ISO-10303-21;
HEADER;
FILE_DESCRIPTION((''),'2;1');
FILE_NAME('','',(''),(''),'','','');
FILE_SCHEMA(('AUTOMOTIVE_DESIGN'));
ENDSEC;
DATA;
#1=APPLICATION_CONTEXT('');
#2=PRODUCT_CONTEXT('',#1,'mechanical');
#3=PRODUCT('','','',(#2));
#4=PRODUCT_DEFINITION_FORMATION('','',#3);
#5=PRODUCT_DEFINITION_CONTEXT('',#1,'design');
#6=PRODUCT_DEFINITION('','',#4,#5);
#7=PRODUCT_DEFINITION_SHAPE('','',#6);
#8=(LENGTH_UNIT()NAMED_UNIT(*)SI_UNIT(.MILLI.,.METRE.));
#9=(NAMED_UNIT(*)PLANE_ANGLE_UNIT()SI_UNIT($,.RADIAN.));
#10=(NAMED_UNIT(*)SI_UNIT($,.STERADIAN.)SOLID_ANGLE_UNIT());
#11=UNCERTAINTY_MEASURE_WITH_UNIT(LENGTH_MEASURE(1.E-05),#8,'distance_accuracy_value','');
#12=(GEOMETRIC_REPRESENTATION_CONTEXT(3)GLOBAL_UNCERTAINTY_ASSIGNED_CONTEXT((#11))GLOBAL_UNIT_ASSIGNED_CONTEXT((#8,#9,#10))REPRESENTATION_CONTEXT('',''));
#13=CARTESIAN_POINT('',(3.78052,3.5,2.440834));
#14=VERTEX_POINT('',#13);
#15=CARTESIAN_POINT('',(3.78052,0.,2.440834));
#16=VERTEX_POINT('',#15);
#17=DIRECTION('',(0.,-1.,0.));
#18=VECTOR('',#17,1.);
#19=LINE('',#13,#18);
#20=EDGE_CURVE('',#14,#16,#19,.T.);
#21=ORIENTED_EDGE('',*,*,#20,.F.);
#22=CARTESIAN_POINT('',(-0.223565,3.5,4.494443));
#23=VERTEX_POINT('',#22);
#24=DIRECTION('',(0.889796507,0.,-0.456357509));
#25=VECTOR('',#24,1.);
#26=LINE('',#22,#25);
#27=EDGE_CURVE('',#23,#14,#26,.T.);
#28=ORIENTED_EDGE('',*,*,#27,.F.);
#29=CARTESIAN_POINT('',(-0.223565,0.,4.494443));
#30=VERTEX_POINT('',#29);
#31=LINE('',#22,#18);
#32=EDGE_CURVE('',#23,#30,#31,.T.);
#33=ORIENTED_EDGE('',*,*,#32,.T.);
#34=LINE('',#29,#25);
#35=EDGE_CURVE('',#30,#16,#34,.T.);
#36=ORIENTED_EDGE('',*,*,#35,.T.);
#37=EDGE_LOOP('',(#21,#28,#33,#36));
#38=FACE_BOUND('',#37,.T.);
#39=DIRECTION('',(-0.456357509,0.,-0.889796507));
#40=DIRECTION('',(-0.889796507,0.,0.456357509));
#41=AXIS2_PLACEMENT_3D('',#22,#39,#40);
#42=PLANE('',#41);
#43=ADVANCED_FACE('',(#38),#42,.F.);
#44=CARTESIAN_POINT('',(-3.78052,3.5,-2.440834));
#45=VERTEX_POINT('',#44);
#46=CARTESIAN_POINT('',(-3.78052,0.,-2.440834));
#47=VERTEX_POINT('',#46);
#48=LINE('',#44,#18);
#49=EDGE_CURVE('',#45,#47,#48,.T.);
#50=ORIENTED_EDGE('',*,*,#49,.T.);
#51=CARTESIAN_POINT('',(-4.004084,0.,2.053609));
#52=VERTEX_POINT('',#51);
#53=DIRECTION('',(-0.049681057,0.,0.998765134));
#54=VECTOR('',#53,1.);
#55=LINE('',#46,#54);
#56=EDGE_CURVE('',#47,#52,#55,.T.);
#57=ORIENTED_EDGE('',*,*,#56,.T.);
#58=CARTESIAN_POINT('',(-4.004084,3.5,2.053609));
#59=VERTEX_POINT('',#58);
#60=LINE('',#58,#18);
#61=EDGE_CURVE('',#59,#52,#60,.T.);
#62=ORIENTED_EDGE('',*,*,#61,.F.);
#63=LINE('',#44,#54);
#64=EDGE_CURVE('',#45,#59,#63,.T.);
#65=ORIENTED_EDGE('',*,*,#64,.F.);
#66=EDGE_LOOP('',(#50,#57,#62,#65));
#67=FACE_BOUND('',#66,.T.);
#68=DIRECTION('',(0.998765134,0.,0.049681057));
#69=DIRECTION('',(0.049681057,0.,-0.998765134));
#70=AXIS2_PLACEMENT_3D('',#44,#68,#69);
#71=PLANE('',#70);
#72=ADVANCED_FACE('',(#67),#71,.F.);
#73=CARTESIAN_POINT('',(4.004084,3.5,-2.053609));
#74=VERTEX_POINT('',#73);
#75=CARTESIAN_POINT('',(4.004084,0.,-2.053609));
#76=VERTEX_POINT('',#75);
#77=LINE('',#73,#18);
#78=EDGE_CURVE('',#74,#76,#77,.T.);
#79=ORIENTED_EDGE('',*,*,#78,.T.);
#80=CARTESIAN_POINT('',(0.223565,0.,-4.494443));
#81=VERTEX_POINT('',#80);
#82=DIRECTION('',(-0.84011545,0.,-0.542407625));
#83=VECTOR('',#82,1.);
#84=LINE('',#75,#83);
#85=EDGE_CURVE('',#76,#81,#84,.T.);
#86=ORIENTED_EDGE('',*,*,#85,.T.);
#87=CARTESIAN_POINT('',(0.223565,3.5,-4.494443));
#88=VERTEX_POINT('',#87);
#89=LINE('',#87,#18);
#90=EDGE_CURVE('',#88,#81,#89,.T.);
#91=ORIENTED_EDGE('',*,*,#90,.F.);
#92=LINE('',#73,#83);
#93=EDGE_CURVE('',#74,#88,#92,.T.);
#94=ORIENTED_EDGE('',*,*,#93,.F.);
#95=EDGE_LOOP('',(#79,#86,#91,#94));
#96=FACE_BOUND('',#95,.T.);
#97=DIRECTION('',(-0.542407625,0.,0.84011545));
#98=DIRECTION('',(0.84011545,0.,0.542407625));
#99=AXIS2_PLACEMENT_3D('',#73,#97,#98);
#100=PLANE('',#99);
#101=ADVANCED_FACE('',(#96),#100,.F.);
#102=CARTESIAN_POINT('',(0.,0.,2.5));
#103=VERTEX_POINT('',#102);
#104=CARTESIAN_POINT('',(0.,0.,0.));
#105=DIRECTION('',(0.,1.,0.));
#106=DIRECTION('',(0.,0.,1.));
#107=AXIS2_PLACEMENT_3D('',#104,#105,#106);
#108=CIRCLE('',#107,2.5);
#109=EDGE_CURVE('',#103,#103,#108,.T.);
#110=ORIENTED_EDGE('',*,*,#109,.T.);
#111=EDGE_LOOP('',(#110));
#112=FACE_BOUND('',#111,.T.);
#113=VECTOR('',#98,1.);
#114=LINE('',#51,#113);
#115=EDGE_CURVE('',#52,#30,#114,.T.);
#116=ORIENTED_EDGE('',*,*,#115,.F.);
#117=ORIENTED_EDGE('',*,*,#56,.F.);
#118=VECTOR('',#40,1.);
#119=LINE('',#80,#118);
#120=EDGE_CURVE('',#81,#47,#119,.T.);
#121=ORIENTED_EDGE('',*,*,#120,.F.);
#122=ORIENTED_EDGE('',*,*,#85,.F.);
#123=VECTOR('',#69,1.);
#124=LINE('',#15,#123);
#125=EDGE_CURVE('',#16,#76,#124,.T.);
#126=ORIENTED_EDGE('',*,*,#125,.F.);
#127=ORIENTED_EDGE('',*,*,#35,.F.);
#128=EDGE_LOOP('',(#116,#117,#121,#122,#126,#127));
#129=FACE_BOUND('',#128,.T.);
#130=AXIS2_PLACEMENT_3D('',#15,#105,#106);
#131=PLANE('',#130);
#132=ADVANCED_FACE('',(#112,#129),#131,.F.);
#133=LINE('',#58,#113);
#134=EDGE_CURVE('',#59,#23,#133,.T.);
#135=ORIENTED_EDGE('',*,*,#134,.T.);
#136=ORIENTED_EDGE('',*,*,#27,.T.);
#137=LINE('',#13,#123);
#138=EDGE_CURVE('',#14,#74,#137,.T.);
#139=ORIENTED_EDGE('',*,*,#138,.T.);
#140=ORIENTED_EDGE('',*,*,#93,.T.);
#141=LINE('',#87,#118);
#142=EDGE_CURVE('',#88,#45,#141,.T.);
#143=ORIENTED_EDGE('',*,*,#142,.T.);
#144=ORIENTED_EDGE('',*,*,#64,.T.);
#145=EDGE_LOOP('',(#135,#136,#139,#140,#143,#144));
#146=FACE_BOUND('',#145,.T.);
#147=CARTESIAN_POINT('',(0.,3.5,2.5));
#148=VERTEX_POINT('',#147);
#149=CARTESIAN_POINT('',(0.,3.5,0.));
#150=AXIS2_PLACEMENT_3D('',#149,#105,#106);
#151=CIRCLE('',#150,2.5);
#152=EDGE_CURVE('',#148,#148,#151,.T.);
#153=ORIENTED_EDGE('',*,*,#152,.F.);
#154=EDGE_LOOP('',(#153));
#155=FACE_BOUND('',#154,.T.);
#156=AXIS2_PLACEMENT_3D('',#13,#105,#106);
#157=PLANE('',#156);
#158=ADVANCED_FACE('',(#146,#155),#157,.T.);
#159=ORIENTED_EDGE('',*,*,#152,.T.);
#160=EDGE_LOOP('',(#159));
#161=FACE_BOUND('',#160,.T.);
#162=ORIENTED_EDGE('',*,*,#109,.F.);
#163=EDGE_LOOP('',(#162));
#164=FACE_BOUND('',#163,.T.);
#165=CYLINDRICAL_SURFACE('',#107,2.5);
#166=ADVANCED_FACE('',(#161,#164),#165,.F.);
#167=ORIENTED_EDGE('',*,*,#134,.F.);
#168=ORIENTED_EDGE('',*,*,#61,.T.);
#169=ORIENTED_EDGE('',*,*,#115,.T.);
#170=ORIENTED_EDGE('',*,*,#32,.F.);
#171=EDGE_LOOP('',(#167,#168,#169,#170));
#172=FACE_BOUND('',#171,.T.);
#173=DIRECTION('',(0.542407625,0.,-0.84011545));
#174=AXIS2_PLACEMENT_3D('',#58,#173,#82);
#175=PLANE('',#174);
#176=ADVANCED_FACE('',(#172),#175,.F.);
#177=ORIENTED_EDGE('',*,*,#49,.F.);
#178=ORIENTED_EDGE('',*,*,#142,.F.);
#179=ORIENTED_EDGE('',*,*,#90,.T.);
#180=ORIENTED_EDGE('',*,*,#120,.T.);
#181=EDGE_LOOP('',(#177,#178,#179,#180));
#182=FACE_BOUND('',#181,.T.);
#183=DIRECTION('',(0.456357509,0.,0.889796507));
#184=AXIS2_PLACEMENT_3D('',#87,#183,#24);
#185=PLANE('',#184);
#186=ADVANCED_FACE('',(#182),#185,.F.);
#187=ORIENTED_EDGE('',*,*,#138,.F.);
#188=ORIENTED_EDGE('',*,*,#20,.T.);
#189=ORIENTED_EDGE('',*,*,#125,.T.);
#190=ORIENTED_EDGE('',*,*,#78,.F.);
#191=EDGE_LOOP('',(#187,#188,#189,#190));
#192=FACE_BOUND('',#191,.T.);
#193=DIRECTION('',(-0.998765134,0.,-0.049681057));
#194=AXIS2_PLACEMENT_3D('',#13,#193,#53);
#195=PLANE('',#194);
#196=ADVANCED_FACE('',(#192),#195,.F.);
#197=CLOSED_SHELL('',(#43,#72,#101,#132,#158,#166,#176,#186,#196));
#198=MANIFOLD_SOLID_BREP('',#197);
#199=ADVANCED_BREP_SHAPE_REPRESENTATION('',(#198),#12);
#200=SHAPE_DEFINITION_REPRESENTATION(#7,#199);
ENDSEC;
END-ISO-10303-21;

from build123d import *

# Parameters (mm, degrees)
EXTRUDE_1_DEPTH     = 3.5
SKETCH_2_R          = 2.5
CUT_EXTRUDE_2_DEPTH = 3.5


with BuildPart() as part:
    # Эскиз1 → Вытянуть1 (new body)
    with BuildSketch(Plane(origin=(0, 0, 0), x_dir=(1, 0, 0), z_dir=(0, 1, 0))):
        Polygon((3.780519523, -2.440834311), (4.004084281, 2.053608791), (0.223564758, 4.494443102), (-3.780519523, 2.440834311), (-4.004084281, -2.053608791), (-0.223564758, -4.494443102), align=None)
    extrude(amount=EXTRUDE_1_DEPTH)

    # Эскиз2 → Вытянуть2 (cut)
    with BuildSketch(Plane(origin=(0, 3.5, 0), x_dir=(1, 0, 0), z_dir=(0, 1, 0))):
        with Locations(Location((0, 0, 0), (0, 0, 270))):
            Circle(SKETCH_2_R)
    extrude(amount=-CUT_EXTRUDE_2_DEPTH, mode=Mode.SUBTRACT)


solid = part.part
